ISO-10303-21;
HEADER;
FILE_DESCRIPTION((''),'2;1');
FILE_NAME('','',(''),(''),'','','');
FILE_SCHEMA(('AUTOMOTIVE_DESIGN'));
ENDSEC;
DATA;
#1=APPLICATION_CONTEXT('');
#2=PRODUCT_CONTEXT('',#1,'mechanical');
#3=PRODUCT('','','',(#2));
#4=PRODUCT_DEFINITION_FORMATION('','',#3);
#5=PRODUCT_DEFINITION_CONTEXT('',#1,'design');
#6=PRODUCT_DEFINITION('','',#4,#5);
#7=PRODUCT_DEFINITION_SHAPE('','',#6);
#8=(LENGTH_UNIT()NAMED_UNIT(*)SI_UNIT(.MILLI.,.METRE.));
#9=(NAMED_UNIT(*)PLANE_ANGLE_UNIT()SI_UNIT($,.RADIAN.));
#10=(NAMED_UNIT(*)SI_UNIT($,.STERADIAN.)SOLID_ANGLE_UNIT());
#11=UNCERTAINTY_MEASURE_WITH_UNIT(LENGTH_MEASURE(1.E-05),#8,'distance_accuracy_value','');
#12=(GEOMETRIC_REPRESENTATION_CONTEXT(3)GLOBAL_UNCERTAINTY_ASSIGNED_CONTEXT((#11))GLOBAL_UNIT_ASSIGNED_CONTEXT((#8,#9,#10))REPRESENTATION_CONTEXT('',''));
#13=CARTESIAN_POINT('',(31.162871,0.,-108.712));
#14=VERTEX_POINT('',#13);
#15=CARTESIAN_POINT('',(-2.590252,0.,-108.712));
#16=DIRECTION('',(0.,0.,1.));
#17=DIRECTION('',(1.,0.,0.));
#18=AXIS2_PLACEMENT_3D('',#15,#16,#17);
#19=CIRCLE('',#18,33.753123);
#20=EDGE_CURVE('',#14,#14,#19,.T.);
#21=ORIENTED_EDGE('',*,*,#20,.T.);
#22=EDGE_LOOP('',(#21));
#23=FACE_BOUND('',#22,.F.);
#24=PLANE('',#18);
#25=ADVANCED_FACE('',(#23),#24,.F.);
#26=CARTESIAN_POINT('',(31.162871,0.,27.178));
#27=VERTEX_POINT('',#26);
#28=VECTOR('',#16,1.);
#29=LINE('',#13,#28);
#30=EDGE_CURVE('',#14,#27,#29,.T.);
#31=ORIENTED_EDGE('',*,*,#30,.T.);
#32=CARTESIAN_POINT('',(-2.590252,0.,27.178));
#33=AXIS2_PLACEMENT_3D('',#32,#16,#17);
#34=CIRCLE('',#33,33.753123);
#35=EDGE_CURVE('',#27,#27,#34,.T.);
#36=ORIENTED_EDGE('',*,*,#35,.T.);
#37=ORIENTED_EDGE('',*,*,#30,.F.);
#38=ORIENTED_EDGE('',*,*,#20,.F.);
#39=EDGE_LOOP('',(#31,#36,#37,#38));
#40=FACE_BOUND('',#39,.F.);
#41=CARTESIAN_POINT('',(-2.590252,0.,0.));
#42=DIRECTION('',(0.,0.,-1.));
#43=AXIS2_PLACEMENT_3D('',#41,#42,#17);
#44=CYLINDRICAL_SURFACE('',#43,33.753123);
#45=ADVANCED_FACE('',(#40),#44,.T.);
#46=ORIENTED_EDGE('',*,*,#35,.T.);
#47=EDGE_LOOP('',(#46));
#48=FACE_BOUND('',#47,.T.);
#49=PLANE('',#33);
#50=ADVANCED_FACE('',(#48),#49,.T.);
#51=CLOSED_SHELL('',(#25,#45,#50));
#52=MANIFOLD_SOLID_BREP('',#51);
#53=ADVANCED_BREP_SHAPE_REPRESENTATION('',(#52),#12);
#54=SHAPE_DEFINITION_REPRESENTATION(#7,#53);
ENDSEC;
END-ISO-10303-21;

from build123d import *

# Parameters (mm, degrees)
F0_R      = 33.753123
F1_DEPTH  = 27.178
F1_FACE_R = 33.753123
F2_DEPTH  = 135.89


with BuildPart() as f1:
    # F0 (on Top) → F1 (new body)
    with BuildSketch(Plane.XY):
        with Locations((-2.590252, 0)):
            Circle(F0_R)
    extrude(amount=F1_DEPTH)

    # F1_face (on face) → F2 (join)
    with BuildSketch(Plane(origin=(-2.590252, 0, 27.178), x_dir=(1, 0, 0), z_dir=(0, 0, 1))):
        Circle(F1_FACE_R)
    extrude(amount=-F2_DEPTH)


solid = f1.part
